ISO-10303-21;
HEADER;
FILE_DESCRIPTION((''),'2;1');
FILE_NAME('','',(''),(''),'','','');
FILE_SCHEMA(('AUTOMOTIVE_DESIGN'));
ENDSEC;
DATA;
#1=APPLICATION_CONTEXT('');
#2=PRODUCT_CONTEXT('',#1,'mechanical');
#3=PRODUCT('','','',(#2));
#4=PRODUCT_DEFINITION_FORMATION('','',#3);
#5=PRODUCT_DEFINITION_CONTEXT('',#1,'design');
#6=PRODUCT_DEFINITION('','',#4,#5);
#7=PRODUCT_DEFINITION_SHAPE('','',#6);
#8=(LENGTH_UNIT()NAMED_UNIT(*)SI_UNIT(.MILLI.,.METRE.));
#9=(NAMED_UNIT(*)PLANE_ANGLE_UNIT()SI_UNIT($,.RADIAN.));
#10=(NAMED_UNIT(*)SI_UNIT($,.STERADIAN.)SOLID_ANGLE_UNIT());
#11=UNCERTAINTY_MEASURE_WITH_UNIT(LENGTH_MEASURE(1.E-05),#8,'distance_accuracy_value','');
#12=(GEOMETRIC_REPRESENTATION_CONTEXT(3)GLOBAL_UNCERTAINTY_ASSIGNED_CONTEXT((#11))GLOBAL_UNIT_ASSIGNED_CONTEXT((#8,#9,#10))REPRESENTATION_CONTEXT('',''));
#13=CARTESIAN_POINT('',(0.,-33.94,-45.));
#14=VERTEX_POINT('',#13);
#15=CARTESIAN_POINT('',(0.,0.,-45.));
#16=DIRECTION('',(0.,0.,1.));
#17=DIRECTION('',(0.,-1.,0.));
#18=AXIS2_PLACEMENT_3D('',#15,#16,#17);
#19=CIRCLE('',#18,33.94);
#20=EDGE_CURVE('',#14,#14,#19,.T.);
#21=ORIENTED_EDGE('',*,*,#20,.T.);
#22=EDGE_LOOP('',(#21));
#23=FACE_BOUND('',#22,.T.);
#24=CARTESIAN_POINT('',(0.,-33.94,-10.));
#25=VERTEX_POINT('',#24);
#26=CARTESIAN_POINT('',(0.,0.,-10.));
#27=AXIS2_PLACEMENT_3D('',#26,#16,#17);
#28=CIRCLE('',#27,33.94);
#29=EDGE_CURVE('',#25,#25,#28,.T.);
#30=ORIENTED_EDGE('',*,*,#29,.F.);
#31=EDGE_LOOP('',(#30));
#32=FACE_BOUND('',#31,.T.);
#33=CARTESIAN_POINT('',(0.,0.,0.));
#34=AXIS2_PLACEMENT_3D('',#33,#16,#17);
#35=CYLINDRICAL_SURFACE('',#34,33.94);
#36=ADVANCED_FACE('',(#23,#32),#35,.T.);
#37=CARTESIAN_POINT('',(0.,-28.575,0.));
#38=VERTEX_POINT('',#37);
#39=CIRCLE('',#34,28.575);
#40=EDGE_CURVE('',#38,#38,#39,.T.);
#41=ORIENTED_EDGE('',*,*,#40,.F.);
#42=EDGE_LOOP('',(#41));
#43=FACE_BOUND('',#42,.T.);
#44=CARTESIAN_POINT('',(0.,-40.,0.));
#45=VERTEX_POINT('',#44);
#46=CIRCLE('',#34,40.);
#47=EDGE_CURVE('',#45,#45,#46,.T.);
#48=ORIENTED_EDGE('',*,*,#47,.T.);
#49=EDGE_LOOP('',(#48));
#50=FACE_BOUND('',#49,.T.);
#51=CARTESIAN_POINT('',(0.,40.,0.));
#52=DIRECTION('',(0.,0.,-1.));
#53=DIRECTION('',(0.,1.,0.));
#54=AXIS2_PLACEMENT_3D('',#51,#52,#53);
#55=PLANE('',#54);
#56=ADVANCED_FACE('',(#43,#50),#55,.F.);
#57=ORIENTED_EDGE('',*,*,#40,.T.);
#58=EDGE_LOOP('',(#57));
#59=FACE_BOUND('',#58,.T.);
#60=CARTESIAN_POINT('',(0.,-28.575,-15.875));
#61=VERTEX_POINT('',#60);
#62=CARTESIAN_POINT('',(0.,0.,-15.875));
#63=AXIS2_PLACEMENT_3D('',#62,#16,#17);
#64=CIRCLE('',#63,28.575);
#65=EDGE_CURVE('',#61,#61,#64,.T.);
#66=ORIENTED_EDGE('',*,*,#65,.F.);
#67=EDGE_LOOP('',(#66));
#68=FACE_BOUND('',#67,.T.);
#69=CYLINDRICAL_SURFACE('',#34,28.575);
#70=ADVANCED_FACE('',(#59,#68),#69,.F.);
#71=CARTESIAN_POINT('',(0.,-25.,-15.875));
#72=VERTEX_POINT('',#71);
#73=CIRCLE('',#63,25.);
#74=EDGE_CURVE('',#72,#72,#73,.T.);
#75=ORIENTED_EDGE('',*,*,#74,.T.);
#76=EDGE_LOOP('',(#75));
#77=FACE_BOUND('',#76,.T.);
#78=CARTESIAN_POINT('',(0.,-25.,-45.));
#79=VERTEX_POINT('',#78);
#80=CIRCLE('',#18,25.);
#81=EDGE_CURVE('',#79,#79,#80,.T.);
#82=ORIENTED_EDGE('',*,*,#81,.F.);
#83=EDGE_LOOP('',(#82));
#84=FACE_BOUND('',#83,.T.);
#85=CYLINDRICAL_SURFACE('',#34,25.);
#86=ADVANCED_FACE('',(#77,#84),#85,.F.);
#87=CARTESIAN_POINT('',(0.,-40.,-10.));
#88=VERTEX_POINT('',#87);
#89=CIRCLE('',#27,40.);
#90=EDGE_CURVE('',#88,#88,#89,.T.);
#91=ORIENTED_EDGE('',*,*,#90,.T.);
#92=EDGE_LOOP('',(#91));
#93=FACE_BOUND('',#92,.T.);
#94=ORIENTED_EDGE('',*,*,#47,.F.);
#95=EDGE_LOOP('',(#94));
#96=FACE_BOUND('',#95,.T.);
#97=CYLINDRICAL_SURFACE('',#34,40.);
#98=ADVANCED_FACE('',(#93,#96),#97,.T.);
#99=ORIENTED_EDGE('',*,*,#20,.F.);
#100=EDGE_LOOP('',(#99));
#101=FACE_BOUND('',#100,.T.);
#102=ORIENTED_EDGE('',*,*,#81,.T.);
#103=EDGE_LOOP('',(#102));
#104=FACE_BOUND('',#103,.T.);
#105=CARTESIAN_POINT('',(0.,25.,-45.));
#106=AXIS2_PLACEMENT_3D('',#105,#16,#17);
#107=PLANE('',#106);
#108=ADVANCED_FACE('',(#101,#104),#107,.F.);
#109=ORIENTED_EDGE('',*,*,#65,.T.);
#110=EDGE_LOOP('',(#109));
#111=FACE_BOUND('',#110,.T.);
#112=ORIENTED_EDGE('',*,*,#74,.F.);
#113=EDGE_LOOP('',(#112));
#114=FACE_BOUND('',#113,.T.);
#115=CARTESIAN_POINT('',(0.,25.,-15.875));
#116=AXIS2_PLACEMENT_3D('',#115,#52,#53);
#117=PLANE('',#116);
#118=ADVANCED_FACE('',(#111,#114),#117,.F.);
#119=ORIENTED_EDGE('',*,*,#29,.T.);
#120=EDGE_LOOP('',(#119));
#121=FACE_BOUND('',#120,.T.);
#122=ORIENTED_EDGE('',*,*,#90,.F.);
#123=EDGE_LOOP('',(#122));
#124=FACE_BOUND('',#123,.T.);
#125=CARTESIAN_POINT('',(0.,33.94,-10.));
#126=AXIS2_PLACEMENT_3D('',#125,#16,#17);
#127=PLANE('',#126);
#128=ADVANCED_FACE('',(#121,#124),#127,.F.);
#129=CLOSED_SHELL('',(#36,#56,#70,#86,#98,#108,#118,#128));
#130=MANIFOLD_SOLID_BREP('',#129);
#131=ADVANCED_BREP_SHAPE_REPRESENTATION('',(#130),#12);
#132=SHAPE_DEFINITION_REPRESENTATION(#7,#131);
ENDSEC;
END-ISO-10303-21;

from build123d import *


with BuildPart() as part:
    # Esboço1 → Revolução1 (revolve)
    with BuildSketch(Plane(origin=(0, 0, 0), x_dir=(0, 0, -1), z_dir=(1, 0, 0)), mode=Mode.PRIVATE) as revolu_o1_sk:
        Polygon((45, 25), (45, 33.94), (10, 33.94), (10, 40), (0, 40), (0, 28.575), (15.875, 28.575), (15.875, 25), align=None)
    revolve(revolu_o1_sk.sketch.rotate(Axis((0, 0, 0), (0, 0, -1)), 180), axis=Axis((0, 0, 0), (0, 0, -1)))


solid = part.part
